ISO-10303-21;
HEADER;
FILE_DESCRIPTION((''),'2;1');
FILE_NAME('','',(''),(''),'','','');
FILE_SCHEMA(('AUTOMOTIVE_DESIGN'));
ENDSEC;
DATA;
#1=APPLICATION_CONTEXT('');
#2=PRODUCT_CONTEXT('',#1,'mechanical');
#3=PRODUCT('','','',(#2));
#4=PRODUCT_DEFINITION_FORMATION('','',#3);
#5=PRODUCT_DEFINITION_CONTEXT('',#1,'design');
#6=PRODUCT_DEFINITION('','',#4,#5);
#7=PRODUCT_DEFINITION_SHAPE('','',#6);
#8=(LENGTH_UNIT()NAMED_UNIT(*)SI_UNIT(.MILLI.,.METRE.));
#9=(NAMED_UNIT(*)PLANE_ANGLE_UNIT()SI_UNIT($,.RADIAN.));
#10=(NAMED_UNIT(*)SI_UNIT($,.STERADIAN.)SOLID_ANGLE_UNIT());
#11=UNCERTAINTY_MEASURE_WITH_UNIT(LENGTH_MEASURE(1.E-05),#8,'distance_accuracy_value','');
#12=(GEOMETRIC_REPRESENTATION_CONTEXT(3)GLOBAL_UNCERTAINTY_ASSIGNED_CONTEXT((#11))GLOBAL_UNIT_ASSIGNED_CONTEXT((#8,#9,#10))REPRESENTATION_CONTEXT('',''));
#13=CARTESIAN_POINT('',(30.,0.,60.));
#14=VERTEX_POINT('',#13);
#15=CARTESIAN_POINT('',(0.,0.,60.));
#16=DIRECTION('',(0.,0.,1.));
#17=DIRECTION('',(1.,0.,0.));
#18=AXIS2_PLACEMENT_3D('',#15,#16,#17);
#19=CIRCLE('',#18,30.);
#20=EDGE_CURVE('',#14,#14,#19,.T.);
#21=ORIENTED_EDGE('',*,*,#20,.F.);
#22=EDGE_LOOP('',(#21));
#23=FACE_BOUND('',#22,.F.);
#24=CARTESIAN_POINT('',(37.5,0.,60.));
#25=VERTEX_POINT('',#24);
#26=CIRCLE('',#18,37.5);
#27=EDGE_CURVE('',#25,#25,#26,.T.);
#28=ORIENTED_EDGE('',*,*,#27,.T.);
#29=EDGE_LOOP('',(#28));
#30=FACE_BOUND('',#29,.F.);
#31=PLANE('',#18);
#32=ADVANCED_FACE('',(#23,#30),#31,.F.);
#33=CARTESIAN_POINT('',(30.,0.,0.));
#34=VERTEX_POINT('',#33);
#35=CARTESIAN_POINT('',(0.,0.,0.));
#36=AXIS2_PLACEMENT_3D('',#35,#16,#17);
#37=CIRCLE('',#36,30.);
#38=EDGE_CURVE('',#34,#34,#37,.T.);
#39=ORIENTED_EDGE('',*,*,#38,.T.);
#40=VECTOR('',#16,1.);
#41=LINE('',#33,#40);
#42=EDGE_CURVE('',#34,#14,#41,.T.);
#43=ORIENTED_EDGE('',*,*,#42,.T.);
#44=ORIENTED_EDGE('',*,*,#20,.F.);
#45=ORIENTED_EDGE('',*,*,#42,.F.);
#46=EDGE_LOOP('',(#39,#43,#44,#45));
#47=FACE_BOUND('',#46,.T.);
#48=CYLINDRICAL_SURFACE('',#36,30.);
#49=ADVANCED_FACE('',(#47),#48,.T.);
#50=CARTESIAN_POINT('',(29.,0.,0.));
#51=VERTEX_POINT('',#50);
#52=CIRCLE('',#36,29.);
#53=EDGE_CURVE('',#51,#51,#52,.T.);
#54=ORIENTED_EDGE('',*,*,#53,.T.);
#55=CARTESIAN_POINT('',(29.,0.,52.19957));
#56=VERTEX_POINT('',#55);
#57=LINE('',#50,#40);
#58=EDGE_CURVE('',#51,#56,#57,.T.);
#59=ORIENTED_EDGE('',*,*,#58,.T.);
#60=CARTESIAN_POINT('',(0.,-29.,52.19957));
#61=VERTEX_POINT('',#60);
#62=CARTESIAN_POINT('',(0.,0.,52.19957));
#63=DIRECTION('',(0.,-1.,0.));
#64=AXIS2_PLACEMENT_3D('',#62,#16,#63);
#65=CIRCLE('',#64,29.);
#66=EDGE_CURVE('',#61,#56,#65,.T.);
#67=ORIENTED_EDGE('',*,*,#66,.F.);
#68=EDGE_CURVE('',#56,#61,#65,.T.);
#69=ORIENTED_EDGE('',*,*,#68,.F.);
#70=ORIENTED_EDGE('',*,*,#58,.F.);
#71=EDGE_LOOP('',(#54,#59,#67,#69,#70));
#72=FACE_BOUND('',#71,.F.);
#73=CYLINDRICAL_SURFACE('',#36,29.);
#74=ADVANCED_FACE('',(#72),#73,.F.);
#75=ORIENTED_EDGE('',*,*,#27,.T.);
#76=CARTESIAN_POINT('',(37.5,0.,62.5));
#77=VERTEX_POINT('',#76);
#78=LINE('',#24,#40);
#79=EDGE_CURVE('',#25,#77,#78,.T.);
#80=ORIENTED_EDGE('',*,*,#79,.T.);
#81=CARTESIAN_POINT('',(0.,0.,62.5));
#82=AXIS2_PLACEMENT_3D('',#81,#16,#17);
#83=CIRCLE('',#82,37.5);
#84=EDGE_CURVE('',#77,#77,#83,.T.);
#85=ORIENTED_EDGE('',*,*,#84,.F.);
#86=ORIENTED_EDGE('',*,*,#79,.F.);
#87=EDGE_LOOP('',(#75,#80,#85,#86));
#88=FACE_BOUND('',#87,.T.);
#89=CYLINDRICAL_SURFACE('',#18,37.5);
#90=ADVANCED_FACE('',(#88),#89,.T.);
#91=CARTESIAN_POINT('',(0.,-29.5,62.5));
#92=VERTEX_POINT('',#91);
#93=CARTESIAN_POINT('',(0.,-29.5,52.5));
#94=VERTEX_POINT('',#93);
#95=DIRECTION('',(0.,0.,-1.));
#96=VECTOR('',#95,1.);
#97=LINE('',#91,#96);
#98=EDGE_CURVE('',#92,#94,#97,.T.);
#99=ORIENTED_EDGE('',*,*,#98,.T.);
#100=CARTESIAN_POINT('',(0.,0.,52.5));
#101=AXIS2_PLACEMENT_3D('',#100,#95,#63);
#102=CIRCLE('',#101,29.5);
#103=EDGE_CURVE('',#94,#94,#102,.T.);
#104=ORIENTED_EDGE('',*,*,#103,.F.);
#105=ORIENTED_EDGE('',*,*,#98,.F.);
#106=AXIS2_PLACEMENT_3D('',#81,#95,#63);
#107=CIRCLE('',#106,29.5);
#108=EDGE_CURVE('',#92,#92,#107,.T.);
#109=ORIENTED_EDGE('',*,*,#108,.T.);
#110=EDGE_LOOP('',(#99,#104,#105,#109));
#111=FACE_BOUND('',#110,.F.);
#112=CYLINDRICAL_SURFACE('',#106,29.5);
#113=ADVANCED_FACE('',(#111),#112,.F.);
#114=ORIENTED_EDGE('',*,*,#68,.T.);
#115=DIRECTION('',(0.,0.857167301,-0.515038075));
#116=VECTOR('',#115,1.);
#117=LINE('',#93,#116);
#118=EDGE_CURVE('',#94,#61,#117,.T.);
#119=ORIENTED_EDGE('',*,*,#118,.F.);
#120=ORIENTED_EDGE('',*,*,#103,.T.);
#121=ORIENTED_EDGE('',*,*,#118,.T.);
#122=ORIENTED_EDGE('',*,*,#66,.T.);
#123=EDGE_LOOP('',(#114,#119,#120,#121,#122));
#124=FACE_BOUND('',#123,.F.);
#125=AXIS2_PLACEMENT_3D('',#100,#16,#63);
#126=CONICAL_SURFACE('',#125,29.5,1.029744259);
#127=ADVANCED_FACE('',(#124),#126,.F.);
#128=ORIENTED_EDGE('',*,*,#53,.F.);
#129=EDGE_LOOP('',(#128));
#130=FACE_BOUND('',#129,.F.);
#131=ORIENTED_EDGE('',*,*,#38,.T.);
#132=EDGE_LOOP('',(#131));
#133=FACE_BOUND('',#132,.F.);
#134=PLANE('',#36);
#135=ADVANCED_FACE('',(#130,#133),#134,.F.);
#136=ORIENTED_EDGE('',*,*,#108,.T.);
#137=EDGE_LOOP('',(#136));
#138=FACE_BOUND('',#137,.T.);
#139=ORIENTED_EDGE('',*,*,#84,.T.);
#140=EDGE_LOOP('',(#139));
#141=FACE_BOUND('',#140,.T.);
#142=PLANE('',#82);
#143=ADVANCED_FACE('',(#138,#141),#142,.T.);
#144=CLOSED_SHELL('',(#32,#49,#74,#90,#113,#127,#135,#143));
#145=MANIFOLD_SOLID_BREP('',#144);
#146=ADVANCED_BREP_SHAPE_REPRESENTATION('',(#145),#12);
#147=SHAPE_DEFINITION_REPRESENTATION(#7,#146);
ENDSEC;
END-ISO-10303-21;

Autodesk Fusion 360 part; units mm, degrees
cylinder "CylindrePrimitive1" add diameter 60 height 60 placed x (1, 0, 0) y (0, 1, 0) z (0, 0, 1) at (0, 0, 0)
shell "Coque1" thickness 1 removed faces 1 at (7.6631, 11.2397, 0)
cylinder "CylindrePrimitive2" add diameter 75 height 2.5 placed x (1, 0, 0) y (0, 1, 0) z (0, 0, 1) at (0, 0, 60)
hole "Perçage1" at (0, 0, 62.5) direction (0, 0, -1) diameter 59 depth 10 tip angle 118
